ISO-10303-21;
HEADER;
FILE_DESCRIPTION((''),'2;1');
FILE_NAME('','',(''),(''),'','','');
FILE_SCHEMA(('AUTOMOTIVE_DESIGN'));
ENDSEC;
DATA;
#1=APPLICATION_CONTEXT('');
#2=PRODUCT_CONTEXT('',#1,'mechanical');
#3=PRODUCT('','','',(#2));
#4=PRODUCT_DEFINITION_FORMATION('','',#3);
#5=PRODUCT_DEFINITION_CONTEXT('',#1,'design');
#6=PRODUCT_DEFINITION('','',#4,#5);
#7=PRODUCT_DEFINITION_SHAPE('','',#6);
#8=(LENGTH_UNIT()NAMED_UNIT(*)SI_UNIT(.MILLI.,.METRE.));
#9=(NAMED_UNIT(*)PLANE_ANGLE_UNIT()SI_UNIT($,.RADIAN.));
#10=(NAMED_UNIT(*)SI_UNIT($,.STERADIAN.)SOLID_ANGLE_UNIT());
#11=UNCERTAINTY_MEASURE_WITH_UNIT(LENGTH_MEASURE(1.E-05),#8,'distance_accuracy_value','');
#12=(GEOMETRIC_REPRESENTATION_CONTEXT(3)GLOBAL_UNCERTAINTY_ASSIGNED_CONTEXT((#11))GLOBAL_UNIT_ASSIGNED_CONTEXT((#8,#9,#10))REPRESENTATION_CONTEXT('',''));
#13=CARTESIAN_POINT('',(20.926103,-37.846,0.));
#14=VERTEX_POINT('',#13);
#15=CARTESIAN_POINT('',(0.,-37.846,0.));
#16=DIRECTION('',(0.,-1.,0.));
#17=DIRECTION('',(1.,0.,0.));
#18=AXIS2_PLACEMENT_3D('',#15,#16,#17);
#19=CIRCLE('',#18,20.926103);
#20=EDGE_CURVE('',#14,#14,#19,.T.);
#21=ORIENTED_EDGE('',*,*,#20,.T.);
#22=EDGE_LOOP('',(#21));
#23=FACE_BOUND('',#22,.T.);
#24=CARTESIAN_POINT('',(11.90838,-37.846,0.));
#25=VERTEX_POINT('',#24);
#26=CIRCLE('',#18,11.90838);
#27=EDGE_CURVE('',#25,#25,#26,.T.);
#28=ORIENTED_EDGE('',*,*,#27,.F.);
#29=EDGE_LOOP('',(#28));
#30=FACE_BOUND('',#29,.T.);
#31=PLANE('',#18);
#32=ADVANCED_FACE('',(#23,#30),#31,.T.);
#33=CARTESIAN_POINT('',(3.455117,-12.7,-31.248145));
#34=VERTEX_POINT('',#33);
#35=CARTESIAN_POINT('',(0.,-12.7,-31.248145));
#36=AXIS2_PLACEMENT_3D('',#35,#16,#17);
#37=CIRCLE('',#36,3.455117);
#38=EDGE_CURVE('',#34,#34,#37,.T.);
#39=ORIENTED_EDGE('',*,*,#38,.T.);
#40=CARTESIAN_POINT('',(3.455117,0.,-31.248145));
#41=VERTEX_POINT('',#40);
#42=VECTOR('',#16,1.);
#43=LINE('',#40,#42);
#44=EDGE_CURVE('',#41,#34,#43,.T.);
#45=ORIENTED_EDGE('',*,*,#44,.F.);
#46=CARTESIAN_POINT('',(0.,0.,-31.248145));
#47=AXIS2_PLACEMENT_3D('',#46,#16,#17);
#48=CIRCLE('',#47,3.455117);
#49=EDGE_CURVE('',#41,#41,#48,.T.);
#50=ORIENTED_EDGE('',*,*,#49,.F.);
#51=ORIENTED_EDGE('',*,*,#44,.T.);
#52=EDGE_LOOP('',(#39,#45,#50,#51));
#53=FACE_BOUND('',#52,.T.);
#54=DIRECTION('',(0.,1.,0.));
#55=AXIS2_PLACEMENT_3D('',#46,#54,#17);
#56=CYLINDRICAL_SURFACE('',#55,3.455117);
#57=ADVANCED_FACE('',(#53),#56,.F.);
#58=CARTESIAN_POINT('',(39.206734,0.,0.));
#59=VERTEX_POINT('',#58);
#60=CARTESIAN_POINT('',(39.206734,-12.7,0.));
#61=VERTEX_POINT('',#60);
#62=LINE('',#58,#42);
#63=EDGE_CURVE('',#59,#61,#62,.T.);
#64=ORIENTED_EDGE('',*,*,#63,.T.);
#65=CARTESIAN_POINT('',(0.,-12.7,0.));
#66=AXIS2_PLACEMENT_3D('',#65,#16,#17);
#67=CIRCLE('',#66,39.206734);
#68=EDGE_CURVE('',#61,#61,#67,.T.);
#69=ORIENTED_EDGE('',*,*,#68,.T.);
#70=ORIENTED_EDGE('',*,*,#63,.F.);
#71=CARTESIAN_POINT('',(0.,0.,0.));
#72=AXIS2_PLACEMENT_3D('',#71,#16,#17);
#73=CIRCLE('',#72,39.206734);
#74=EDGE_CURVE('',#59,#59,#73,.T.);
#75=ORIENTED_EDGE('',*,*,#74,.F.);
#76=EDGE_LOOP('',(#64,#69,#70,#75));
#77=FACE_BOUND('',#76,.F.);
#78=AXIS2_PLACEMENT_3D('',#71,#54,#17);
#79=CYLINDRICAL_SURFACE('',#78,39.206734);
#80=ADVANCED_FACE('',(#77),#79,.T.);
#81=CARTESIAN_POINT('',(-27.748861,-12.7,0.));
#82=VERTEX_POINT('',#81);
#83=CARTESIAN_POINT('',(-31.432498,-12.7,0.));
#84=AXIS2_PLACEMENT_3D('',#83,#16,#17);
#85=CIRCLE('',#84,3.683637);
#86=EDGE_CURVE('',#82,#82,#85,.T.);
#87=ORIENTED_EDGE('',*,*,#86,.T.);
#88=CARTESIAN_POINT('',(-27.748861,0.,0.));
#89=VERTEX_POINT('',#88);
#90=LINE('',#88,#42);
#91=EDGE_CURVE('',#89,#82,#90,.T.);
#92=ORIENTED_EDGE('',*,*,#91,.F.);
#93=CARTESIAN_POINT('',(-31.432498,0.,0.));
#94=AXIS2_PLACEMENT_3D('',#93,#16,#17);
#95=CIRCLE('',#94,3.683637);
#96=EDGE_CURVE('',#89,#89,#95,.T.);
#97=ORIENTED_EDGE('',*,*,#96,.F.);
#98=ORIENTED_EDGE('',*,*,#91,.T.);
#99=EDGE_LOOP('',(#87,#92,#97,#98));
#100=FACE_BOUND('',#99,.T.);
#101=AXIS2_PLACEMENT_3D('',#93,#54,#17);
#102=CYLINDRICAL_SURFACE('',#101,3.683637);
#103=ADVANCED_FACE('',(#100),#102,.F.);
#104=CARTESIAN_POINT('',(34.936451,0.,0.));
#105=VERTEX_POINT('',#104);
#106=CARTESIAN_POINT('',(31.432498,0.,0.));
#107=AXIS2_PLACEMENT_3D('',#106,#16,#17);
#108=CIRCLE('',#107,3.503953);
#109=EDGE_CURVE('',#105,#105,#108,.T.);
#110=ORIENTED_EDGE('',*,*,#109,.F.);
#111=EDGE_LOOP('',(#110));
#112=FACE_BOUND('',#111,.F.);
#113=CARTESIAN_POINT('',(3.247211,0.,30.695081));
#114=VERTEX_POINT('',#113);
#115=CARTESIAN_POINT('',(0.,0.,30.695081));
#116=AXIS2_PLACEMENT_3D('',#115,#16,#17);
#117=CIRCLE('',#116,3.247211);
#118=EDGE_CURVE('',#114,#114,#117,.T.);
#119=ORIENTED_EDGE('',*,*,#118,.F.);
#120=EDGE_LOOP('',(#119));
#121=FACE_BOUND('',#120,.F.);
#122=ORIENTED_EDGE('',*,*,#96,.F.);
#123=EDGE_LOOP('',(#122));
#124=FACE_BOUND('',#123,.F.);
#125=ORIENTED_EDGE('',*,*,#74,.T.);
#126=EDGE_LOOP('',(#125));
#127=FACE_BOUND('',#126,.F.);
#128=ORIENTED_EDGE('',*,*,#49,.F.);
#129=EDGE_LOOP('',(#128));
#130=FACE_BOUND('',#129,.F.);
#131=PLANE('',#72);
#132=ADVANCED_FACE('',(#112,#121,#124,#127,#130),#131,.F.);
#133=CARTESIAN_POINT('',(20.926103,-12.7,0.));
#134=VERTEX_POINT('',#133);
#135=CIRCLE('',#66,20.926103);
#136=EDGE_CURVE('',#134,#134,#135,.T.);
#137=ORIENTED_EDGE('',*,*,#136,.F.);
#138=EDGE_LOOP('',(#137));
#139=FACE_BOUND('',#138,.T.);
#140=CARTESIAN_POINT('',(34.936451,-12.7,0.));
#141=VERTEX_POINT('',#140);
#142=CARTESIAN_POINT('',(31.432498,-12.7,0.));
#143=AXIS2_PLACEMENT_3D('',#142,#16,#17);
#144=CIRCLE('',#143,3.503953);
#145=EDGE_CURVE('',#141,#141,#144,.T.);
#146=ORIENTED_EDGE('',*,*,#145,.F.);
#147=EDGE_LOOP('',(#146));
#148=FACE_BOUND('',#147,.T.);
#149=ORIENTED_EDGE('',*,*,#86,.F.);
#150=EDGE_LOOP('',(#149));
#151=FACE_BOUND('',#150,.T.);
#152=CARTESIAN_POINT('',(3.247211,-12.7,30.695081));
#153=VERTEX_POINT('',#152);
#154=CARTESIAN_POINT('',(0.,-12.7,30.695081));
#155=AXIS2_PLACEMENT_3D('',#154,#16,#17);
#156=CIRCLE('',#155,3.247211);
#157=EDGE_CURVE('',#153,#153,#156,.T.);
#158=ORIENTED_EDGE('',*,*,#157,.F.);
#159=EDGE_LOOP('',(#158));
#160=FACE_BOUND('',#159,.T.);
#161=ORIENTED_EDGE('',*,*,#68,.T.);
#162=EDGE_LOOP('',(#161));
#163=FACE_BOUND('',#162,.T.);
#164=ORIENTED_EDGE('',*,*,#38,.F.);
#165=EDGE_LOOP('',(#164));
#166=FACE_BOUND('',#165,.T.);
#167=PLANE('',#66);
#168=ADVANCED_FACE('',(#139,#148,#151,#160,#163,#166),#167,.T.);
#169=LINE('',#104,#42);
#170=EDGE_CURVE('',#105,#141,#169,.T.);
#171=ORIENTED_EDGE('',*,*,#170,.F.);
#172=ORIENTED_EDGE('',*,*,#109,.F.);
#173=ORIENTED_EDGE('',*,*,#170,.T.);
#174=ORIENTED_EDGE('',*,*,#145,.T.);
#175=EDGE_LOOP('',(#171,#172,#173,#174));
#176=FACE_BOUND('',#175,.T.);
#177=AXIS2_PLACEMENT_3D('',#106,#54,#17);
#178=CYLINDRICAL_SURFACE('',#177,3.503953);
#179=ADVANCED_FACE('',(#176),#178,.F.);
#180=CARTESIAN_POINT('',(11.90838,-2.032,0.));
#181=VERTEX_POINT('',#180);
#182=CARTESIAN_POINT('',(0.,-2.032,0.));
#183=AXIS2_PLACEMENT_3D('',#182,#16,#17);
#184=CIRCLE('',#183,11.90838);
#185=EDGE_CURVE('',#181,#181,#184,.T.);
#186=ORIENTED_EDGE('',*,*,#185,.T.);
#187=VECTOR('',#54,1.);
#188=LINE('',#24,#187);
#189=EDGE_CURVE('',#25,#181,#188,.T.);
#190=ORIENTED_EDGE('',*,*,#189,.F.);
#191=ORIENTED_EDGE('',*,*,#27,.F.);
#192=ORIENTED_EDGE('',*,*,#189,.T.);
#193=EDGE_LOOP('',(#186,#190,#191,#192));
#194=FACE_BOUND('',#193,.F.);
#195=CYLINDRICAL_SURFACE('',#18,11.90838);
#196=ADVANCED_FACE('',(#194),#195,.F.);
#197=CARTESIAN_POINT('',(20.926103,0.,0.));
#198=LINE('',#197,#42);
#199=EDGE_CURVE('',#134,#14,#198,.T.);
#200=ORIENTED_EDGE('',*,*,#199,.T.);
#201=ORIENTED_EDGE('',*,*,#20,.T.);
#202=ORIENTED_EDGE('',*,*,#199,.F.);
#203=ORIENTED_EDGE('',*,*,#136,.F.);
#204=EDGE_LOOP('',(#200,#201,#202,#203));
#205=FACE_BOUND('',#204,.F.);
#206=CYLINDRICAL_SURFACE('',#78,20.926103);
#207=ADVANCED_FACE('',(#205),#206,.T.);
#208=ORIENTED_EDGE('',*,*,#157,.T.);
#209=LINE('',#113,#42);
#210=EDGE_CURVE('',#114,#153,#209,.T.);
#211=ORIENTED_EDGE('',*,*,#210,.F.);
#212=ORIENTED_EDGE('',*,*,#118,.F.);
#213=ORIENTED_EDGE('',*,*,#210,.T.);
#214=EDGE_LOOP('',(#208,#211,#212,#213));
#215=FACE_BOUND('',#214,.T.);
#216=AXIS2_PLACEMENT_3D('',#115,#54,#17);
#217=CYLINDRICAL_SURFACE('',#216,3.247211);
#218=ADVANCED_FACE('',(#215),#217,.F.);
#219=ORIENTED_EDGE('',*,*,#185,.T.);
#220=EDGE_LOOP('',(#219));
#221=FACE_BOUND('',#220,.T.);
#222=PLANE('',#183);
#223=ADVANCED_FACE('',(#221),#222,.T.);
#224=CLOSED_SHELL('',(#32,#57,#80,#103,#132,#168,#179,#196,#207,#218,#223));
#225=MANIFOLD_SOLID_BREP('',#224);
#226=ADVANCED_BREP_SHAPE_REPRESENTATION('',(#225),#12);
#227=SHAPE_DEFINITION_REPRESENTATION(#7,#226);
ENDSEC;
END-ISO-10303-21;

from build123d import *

# Parameters (mm, degrees)
F0_R     = 39.206734
F0_R_2   = 3.455117
F0_R_3   = 3.683637
F0_R_4   = 20.926103
F0_R_5   = 3.503953
F0_R_6   = 3.247211
F1_DEPTH = 12.7
F2_DEPTH = 37.846
F3_R     = 11.90838
F4_DEPTH = 35.814


with BuildPart() as f1:
    # F0 (on Front) → F1 (new body)
    with BuildSketch(Plane.XZ):
        Circle(F0_R)
        with Locations((0, -31.248145)):
            Circle(F0_R_2, mode=Mode.SUBTRACT)
        with Locations((-31.432498, 0)):
            Circle(F0_R_3, mode=Mode.SUBTRACT)
        Circle(F0_R_4, mode=Mode.SUBTRACT)
        with Locations((31.432498, 0)):
            Circle(F0_R_5, mode=Mode.SUBTRACT)
        with Locations((0, 30.695081)):
            Circle(F0_R_6, mode=Mode.SUBTRACT)
    extrude(amount=F1_DEPTH)

    # F0 (on Front) → F2 (join)
    with BuildSketch(Plane.XZ):
        Circle(F0_R_4)
    extrude(amount=F2_DEPTH)

    # F3 (on face) → F4 (cut)
    with BuildSketch(Plane.XZ.offset(37.846)):
        Circle(F3_R)
    extrude(amount=-F4_DEPTH, mode=Mode.SUBTRACT)


solid = f1.part
